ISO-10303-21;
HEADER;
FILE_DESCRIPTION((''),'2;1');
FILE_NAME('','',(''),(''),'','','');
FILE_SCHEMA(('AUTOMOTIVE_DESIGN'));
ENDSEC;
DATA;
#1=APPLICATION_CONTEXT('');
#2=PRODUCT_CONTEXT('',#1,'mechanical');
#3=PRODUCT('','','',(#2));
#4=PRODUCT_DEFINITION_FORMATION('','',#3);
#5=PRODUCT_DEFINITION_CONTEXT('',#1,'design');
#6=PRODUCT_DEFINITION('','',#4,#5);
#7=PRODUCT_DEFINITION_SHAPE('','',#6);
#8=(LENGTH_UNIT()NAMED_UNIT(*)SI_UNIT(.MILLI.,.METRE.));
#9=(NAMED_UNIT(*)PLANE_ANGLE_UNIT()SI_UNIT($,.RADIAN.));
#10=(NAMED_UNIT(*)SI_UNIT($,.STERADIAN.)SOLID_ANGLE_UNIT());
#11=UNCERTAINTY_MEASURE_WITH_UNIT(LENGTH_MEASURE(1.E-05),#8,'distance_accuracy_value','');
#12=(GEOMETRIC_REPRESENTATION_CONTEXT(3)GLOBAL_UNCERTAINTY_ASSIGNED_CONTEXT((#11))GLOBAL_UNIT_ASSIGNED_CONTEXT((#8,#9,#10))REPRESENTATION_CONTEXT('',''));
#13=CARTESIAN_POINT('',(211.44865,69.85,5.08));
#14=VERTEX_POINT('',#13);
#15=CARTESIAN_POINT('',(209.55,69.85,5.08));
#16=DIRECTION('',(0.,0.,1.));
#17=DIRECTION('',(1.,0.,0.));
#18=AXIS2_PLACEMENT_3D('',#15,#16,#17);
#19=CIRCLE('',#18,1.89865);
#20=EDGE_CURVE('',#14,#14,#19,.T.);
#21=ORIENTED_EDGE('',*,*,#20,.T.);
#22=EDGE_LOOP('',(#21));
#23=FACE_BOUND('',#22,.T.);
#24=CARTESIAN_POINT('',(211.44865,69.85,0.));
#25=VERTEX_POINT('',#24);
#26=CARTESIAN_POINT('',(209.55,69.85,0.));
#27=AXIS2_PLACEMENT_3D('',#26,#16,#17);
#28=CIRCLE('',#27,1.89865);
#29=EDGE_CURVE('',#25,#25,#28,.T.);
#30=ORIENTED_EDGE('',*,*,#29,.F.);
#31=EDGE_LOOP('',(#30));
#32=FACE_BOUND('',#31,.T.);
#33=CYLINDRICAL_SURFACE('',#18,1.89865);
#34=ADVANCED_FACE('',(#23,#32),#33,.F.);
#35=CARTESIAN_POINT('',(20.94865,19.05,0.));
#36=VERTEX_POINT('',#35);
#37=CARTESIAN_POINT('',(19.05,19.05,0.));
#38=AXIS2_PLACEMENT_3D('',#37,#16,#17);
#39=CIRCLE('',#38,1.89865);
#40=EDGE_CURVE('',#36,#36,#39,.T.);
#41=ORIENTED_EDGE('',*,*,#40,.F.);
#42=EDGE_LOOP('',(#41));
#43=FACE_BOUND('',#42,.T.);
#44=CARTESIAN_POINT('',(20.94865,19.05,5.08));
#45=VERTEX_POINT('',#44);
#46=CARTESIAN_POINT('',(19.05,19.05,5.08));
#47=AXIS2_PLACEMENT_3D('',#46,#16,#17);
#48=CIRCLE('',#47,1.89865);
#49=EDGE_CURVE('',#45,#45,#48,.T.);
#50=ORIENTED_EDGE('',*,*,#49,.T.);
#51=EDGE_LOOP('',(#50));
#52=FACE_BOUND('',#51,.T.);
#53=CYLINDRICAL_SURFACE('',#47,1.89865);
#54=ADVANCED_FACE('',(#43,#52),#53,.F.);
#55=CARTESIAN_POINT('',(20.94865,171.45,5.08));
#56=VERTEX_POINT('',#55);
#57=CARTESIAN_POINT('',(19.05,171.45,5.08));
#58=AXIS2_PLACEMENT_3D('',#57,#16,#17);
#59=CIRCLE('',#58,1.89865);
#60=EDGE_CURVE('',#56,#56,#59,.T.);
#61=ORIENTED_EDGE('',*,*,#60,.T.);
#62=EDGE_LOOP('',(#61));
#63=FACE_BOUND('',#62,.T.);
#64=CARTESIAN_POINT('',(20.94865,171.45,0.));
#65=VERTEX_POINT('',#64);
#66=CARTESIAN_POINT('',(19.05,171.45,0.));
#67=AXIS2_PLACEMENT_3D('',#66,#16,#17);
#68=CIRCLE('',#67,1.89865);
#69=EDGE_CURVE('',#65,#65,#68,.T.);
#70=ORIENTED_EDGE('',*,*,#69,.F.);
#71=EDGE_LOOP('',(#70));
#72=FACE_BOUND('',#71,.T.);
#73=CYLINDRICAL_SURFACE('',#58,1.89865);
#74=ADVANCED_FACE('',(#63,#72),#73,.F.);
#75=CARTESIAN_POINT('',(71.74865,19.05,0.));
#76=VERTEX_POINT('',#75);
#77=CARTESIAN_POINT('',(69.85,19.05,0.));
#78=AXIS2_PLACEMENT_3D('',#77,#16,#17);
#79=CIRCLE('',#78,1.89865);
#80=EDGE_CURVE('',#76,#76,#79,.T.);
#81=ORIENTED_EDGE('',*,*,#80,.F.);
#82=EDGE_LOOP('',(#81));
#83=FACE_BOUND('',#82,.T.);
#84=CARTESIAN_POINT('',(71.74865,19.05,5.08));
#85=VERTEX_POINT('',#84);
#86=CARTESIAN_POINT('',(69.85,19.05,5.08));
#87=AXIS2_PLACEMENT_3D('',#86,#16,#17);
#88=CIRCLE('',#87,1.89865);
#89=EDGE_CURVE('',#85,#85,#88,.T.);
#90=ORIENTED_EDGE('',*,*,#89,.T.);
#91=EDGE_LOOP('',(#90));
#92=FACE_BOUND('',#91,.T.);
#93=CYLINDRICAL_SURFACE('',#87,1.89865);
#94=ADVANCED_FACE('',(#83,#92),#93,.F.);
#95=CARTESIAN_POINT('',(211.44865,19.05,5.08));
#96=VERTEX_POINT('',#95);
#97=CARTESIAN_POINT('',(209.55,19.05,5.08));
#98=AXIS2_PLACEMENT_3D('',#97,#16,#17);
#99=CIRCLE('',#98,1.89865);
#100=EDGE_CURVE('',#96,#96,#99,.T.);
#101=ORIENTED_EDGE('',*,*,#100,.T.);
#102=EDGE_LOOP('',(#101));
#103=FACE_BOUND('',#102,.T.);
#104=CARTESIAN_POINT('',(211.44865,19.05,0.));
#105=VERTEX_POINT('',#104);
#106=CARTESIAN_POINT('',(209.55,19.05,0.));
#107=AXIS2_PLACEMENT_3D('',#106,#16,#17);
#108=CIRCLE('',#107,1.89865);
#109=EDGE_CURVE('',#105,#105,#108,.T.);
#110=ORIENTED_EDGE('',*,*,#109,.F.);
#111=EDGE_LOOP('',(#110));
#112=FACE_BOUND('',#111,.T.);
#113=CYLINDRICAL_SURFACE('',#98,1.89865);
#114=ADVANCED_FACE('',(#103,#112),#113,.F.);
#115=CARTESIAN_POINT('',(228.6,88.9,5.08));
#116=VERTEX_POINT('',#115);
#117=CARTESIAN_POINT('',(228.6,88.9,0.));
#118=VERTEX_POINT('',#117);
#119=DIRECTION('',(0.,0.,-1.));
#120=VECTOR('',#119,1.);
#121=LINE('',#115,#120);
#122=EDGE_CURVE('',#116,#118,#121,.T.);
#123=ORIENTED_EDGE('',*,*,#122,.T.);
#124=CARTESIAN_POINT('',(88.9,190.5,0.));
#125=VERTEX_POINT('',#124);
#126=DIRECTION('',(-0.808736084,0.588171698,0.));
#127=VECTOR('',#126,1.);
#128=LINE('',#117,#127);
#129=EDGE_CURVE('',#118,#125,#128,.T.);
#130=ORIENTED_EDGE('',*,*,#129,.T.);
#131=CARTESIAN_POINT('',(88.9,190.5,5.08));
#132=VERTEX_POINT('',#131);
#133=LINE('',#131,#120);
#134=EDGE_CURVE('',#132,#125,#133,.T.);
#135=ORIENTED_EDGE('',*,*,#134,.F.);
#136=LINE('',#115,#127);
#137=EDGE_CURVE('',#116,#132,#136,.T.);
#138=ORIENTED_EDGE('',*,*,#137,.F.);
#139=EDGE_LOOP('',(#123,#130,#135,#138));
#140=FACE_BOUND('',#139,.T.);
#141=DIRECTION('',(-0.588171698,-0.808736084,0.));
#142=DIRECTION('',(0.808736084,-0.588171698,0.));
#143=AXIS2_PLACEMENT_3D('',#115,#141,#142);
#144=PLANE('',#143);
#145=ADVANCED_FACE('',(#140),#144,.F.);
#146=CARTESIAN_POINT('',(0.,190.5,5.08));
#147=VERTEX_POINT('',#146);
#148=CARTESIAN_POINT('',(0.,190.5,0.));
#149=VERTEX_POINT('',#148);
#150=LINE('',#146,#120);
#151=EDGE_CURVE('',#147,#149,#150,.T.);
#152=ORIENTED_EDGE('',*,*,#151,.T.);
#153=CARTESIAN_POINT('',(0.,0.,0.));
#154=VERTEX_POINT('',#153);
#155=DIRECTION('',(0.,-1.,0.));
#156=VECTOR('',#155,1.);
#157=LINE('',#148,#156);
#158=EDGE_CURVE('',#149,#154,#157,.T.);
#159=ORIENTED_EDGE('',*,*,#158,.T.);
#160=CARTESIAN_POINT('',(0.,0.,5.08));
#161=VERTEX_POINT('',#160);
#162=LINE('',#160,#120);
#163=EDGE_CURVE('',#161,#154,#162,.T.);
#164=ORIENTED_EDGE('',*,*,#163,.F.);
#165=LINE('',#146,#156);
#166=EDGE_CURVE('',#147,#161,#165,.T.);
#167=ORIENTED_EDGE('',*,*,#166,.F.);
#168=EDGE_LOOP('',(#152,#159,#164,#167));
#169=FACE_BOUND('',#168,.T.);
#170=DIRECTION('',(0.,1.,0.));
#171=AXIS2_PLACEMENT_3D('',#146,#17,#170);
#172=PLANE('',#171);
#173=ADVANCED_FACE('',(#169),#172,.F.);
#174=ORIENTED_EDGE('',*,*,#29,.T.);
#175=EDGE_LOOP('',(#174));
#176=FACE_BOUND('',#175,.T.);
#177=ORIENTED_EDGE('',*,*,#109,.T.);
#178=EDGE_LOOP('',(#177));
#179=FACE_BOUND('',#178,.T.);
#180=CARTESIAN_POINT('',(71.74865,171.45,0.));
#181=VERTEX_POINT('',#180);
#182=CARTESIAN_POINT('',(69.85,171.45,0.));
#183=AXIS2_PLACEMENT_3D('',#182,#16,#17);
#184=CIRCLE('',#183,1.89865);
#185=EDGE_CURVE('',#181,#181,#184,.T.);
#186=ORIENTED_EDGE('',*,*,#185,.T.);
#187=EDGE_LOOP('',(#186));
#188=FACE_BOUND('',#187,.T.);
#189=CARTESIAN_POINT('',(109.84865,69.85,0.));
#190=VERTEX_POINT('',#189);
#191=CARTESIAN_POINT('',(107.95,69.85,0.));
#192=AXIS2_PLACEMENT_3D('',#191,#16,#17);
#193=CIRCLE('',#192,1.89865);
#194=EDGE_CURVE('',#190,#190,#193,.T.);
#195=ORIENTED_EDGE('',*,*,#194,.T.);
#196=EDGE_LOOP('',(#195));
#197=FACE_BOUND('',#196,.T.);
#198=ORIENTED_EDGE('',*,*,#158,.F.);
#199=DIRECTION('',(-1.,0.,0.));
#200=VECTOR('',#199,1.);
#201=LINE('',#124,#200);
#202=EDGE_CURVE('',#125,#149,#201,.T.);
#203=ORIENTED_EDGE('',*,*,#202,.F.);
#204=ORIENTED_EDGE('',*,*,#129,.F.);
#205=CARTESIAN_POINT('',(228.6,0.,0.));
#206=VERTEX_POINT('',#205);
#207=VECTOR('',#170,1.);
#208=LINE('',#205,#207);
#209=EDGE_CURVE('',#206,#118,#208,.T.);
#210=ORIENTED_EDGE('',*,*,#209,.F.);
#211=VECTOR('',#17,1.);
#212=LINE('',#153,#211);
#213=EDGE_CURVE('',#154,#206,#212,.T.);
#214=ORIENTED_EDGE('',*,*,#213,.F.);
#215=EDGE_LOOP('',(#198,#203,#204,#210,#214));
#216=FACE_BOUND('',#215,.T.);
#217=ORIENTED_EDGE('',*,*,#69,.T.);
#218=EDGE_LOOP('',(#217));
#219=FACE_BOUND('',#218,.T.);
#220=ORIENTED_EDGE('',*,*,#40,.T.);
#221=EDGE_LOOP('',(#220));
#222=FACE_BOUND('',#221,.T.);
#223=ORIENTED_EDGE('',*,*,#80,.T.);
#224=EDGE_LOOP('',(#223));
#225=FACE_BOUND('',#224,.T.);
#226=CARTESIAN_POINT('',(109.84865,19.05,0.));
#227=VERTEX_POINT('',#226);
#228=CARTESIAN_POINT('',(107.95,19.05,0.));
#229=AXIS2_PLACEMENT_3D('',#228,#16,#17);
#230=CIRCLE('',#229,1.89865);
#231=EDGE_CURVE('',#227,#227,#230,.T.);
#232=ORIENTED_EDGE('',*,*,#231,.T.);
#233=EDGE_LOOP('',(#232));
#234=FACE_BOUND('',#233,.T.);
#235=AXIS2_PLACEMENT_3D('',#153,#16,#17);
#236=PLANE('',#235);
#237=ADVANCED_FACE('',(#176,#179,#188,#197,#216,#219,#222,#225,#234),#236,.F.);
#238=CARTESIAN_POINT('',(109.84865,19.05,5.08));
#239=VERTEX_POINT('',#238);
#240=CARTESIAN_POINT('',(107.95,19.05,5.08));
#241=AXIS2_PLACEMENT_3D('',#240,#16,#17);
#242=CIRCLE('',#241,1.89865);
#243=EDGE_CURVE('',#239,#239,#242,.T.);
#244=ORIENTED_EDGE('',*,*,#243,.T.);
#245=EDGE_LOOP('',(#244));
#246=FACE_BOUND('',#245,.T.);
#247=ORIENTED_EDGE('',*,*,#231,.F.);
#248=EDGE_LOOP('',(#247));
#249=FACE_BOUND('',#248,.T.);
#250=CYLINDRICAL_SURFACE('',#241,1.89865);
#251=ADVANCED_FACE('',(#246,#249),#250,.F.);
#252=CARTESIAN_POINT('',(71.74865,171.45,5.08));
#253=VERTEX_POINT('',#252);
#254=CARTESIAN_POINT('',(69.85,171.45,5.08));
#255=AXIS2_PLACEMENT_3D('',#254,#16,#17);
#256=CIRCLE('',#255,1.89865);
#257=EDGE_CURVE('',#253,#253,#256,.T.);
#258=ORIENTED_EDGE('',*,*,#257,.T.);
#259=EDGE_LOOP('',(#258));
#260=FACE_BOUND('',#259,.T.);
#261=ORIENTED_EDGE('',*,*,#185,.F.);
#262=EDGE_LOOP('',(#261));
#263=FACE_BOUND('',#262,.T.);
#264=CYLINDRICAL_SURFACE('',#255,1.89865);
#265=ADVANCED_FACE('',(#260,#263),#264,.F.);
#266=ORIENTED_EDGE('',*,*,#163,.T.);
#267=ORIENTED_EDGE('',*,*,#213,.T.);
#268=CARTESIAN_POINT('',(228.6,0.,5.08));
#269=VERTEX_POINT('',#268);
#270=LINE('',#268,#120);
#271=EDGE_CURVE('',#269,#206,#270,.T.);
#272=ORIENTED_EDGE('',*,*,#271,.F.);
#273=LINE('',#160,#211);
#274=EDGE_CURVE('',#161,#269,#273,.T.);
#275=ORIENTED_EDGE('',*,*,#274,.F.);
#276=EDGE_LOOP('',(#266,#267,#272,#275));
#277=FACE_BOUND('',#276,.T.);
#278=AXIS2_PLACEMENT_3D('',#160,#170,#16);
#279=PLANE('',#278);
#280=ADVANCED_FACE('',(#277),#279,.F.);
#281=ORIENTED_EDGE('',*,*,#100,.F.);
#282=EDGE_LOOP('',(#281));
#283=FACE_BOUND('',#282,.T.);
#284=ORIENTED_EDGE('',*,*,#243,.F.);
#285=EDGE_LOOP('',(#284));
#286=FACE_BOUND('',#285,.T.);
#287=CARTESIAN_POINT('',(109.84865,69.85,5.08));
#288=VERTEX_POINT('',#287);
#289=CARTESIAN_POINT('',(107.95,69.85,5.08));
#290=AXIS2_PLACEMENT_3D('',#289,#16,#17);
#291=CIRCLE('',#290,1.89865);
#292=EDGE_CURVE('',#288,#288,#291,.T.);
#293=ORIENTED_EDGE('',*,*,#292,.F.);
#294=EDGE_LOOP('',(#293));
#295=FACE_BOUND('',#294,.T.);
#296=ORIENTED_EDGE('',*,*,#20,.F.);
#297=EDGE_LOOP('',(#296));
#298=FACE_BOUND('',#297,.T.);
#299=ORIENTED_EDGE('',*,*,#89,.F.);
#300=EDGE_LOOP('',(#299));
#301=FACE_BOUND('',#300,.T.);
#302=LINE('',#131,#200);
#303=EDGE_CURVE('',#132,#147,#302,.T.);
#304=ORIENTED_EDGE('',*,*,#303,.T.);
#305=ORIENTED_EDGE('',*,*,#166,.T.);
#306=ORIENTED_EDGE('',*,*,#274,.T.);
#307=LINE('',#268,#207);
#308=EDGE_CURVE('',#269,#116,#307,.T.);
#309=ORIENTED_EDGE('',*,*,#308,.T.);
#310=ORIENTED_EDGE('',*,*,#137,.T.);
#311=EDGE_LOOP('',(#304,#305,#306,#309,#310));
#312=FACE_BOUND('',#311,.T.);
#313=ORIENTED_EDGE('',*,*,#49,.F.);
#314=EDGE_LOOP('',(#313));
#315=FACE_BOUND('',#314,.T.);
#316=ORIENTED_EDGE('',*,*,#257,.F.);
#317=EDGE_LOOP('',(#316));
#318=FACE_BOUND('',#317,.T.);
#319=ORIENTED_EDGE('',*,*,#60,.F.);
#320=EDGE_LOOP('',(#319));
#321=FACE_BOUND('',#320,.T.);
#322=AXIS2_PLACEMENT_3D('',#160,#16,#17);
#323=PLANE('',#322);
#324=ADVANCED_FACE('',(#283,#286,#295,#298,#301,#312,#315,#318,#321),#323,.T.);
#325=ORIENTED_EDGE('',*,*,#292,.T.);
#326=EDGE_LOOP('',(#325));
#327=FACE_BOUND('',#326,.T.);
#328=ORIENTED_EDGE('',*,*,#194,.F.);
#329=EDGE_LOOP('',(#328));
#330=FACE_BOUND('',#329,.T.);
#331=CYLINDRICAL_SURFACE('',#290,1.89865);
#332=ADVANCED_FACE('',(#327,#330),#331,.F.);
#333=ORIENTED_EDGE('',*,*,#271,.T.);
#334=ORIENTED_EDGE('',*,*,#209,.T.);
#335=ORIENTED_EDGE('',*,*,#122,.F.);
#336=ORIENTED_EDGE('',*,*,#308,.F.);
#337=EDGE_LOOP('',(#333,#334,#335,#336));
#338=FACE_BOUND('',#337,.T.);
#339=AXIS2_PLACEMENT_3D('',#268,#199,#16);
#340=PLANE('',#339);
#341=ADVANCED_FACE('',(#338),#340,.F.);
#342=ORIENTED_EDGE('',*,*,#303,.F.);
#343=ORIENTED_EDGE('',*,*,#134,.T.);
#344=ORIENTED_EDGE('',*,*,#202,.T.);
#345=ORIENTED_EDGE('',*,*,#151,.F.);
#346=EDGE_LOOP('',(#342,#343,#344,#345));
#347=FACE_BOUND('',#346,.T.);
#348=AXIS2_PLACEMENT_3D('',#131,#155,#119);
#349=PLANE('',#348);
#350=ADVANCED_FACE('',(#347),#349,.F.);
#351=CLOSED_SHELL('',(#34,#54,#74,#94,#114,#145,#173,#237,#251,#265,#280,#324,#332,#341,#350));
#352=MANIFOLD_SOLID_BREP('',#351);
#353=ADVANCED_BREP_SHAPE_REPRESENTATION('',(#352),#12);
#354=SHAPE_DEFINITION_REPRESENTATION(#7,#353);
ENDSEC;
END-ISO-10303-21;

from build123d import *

# Parameters (mm, degrees)
BOSS_EXTRUDE1_DEPTH   = 5.08
F_6_CLEARANCE_HOLE1_D = 3.7973


with BuildPart() as part:
    # Sketch1 → Boss-Extrude1 (new body)
    with BuildSketch(Plane.XY):
        Polygon((0, 0), (228.6, 0), (228.6, 88.9), (88.9, 190.5), (0, 190.5), align=None)
    extrude(amount=BOSS_EXTRUDE1_DEPTH)

    # #6 Clearance Hole1 (through all)
    with Locations(Plane.XY.offset(5.08)):
        with Locations((209.55, 19.05), (19.05, 171.45), (69.85, 171.45), (69.85, 19.05), (19.05, 19.05), (107.95, 19.05), (107.95, 69.85), (209.55, 69.85)):
            Hole(F_6_CLEARANCE_HOLE1_D / 2)


solid = part.part
